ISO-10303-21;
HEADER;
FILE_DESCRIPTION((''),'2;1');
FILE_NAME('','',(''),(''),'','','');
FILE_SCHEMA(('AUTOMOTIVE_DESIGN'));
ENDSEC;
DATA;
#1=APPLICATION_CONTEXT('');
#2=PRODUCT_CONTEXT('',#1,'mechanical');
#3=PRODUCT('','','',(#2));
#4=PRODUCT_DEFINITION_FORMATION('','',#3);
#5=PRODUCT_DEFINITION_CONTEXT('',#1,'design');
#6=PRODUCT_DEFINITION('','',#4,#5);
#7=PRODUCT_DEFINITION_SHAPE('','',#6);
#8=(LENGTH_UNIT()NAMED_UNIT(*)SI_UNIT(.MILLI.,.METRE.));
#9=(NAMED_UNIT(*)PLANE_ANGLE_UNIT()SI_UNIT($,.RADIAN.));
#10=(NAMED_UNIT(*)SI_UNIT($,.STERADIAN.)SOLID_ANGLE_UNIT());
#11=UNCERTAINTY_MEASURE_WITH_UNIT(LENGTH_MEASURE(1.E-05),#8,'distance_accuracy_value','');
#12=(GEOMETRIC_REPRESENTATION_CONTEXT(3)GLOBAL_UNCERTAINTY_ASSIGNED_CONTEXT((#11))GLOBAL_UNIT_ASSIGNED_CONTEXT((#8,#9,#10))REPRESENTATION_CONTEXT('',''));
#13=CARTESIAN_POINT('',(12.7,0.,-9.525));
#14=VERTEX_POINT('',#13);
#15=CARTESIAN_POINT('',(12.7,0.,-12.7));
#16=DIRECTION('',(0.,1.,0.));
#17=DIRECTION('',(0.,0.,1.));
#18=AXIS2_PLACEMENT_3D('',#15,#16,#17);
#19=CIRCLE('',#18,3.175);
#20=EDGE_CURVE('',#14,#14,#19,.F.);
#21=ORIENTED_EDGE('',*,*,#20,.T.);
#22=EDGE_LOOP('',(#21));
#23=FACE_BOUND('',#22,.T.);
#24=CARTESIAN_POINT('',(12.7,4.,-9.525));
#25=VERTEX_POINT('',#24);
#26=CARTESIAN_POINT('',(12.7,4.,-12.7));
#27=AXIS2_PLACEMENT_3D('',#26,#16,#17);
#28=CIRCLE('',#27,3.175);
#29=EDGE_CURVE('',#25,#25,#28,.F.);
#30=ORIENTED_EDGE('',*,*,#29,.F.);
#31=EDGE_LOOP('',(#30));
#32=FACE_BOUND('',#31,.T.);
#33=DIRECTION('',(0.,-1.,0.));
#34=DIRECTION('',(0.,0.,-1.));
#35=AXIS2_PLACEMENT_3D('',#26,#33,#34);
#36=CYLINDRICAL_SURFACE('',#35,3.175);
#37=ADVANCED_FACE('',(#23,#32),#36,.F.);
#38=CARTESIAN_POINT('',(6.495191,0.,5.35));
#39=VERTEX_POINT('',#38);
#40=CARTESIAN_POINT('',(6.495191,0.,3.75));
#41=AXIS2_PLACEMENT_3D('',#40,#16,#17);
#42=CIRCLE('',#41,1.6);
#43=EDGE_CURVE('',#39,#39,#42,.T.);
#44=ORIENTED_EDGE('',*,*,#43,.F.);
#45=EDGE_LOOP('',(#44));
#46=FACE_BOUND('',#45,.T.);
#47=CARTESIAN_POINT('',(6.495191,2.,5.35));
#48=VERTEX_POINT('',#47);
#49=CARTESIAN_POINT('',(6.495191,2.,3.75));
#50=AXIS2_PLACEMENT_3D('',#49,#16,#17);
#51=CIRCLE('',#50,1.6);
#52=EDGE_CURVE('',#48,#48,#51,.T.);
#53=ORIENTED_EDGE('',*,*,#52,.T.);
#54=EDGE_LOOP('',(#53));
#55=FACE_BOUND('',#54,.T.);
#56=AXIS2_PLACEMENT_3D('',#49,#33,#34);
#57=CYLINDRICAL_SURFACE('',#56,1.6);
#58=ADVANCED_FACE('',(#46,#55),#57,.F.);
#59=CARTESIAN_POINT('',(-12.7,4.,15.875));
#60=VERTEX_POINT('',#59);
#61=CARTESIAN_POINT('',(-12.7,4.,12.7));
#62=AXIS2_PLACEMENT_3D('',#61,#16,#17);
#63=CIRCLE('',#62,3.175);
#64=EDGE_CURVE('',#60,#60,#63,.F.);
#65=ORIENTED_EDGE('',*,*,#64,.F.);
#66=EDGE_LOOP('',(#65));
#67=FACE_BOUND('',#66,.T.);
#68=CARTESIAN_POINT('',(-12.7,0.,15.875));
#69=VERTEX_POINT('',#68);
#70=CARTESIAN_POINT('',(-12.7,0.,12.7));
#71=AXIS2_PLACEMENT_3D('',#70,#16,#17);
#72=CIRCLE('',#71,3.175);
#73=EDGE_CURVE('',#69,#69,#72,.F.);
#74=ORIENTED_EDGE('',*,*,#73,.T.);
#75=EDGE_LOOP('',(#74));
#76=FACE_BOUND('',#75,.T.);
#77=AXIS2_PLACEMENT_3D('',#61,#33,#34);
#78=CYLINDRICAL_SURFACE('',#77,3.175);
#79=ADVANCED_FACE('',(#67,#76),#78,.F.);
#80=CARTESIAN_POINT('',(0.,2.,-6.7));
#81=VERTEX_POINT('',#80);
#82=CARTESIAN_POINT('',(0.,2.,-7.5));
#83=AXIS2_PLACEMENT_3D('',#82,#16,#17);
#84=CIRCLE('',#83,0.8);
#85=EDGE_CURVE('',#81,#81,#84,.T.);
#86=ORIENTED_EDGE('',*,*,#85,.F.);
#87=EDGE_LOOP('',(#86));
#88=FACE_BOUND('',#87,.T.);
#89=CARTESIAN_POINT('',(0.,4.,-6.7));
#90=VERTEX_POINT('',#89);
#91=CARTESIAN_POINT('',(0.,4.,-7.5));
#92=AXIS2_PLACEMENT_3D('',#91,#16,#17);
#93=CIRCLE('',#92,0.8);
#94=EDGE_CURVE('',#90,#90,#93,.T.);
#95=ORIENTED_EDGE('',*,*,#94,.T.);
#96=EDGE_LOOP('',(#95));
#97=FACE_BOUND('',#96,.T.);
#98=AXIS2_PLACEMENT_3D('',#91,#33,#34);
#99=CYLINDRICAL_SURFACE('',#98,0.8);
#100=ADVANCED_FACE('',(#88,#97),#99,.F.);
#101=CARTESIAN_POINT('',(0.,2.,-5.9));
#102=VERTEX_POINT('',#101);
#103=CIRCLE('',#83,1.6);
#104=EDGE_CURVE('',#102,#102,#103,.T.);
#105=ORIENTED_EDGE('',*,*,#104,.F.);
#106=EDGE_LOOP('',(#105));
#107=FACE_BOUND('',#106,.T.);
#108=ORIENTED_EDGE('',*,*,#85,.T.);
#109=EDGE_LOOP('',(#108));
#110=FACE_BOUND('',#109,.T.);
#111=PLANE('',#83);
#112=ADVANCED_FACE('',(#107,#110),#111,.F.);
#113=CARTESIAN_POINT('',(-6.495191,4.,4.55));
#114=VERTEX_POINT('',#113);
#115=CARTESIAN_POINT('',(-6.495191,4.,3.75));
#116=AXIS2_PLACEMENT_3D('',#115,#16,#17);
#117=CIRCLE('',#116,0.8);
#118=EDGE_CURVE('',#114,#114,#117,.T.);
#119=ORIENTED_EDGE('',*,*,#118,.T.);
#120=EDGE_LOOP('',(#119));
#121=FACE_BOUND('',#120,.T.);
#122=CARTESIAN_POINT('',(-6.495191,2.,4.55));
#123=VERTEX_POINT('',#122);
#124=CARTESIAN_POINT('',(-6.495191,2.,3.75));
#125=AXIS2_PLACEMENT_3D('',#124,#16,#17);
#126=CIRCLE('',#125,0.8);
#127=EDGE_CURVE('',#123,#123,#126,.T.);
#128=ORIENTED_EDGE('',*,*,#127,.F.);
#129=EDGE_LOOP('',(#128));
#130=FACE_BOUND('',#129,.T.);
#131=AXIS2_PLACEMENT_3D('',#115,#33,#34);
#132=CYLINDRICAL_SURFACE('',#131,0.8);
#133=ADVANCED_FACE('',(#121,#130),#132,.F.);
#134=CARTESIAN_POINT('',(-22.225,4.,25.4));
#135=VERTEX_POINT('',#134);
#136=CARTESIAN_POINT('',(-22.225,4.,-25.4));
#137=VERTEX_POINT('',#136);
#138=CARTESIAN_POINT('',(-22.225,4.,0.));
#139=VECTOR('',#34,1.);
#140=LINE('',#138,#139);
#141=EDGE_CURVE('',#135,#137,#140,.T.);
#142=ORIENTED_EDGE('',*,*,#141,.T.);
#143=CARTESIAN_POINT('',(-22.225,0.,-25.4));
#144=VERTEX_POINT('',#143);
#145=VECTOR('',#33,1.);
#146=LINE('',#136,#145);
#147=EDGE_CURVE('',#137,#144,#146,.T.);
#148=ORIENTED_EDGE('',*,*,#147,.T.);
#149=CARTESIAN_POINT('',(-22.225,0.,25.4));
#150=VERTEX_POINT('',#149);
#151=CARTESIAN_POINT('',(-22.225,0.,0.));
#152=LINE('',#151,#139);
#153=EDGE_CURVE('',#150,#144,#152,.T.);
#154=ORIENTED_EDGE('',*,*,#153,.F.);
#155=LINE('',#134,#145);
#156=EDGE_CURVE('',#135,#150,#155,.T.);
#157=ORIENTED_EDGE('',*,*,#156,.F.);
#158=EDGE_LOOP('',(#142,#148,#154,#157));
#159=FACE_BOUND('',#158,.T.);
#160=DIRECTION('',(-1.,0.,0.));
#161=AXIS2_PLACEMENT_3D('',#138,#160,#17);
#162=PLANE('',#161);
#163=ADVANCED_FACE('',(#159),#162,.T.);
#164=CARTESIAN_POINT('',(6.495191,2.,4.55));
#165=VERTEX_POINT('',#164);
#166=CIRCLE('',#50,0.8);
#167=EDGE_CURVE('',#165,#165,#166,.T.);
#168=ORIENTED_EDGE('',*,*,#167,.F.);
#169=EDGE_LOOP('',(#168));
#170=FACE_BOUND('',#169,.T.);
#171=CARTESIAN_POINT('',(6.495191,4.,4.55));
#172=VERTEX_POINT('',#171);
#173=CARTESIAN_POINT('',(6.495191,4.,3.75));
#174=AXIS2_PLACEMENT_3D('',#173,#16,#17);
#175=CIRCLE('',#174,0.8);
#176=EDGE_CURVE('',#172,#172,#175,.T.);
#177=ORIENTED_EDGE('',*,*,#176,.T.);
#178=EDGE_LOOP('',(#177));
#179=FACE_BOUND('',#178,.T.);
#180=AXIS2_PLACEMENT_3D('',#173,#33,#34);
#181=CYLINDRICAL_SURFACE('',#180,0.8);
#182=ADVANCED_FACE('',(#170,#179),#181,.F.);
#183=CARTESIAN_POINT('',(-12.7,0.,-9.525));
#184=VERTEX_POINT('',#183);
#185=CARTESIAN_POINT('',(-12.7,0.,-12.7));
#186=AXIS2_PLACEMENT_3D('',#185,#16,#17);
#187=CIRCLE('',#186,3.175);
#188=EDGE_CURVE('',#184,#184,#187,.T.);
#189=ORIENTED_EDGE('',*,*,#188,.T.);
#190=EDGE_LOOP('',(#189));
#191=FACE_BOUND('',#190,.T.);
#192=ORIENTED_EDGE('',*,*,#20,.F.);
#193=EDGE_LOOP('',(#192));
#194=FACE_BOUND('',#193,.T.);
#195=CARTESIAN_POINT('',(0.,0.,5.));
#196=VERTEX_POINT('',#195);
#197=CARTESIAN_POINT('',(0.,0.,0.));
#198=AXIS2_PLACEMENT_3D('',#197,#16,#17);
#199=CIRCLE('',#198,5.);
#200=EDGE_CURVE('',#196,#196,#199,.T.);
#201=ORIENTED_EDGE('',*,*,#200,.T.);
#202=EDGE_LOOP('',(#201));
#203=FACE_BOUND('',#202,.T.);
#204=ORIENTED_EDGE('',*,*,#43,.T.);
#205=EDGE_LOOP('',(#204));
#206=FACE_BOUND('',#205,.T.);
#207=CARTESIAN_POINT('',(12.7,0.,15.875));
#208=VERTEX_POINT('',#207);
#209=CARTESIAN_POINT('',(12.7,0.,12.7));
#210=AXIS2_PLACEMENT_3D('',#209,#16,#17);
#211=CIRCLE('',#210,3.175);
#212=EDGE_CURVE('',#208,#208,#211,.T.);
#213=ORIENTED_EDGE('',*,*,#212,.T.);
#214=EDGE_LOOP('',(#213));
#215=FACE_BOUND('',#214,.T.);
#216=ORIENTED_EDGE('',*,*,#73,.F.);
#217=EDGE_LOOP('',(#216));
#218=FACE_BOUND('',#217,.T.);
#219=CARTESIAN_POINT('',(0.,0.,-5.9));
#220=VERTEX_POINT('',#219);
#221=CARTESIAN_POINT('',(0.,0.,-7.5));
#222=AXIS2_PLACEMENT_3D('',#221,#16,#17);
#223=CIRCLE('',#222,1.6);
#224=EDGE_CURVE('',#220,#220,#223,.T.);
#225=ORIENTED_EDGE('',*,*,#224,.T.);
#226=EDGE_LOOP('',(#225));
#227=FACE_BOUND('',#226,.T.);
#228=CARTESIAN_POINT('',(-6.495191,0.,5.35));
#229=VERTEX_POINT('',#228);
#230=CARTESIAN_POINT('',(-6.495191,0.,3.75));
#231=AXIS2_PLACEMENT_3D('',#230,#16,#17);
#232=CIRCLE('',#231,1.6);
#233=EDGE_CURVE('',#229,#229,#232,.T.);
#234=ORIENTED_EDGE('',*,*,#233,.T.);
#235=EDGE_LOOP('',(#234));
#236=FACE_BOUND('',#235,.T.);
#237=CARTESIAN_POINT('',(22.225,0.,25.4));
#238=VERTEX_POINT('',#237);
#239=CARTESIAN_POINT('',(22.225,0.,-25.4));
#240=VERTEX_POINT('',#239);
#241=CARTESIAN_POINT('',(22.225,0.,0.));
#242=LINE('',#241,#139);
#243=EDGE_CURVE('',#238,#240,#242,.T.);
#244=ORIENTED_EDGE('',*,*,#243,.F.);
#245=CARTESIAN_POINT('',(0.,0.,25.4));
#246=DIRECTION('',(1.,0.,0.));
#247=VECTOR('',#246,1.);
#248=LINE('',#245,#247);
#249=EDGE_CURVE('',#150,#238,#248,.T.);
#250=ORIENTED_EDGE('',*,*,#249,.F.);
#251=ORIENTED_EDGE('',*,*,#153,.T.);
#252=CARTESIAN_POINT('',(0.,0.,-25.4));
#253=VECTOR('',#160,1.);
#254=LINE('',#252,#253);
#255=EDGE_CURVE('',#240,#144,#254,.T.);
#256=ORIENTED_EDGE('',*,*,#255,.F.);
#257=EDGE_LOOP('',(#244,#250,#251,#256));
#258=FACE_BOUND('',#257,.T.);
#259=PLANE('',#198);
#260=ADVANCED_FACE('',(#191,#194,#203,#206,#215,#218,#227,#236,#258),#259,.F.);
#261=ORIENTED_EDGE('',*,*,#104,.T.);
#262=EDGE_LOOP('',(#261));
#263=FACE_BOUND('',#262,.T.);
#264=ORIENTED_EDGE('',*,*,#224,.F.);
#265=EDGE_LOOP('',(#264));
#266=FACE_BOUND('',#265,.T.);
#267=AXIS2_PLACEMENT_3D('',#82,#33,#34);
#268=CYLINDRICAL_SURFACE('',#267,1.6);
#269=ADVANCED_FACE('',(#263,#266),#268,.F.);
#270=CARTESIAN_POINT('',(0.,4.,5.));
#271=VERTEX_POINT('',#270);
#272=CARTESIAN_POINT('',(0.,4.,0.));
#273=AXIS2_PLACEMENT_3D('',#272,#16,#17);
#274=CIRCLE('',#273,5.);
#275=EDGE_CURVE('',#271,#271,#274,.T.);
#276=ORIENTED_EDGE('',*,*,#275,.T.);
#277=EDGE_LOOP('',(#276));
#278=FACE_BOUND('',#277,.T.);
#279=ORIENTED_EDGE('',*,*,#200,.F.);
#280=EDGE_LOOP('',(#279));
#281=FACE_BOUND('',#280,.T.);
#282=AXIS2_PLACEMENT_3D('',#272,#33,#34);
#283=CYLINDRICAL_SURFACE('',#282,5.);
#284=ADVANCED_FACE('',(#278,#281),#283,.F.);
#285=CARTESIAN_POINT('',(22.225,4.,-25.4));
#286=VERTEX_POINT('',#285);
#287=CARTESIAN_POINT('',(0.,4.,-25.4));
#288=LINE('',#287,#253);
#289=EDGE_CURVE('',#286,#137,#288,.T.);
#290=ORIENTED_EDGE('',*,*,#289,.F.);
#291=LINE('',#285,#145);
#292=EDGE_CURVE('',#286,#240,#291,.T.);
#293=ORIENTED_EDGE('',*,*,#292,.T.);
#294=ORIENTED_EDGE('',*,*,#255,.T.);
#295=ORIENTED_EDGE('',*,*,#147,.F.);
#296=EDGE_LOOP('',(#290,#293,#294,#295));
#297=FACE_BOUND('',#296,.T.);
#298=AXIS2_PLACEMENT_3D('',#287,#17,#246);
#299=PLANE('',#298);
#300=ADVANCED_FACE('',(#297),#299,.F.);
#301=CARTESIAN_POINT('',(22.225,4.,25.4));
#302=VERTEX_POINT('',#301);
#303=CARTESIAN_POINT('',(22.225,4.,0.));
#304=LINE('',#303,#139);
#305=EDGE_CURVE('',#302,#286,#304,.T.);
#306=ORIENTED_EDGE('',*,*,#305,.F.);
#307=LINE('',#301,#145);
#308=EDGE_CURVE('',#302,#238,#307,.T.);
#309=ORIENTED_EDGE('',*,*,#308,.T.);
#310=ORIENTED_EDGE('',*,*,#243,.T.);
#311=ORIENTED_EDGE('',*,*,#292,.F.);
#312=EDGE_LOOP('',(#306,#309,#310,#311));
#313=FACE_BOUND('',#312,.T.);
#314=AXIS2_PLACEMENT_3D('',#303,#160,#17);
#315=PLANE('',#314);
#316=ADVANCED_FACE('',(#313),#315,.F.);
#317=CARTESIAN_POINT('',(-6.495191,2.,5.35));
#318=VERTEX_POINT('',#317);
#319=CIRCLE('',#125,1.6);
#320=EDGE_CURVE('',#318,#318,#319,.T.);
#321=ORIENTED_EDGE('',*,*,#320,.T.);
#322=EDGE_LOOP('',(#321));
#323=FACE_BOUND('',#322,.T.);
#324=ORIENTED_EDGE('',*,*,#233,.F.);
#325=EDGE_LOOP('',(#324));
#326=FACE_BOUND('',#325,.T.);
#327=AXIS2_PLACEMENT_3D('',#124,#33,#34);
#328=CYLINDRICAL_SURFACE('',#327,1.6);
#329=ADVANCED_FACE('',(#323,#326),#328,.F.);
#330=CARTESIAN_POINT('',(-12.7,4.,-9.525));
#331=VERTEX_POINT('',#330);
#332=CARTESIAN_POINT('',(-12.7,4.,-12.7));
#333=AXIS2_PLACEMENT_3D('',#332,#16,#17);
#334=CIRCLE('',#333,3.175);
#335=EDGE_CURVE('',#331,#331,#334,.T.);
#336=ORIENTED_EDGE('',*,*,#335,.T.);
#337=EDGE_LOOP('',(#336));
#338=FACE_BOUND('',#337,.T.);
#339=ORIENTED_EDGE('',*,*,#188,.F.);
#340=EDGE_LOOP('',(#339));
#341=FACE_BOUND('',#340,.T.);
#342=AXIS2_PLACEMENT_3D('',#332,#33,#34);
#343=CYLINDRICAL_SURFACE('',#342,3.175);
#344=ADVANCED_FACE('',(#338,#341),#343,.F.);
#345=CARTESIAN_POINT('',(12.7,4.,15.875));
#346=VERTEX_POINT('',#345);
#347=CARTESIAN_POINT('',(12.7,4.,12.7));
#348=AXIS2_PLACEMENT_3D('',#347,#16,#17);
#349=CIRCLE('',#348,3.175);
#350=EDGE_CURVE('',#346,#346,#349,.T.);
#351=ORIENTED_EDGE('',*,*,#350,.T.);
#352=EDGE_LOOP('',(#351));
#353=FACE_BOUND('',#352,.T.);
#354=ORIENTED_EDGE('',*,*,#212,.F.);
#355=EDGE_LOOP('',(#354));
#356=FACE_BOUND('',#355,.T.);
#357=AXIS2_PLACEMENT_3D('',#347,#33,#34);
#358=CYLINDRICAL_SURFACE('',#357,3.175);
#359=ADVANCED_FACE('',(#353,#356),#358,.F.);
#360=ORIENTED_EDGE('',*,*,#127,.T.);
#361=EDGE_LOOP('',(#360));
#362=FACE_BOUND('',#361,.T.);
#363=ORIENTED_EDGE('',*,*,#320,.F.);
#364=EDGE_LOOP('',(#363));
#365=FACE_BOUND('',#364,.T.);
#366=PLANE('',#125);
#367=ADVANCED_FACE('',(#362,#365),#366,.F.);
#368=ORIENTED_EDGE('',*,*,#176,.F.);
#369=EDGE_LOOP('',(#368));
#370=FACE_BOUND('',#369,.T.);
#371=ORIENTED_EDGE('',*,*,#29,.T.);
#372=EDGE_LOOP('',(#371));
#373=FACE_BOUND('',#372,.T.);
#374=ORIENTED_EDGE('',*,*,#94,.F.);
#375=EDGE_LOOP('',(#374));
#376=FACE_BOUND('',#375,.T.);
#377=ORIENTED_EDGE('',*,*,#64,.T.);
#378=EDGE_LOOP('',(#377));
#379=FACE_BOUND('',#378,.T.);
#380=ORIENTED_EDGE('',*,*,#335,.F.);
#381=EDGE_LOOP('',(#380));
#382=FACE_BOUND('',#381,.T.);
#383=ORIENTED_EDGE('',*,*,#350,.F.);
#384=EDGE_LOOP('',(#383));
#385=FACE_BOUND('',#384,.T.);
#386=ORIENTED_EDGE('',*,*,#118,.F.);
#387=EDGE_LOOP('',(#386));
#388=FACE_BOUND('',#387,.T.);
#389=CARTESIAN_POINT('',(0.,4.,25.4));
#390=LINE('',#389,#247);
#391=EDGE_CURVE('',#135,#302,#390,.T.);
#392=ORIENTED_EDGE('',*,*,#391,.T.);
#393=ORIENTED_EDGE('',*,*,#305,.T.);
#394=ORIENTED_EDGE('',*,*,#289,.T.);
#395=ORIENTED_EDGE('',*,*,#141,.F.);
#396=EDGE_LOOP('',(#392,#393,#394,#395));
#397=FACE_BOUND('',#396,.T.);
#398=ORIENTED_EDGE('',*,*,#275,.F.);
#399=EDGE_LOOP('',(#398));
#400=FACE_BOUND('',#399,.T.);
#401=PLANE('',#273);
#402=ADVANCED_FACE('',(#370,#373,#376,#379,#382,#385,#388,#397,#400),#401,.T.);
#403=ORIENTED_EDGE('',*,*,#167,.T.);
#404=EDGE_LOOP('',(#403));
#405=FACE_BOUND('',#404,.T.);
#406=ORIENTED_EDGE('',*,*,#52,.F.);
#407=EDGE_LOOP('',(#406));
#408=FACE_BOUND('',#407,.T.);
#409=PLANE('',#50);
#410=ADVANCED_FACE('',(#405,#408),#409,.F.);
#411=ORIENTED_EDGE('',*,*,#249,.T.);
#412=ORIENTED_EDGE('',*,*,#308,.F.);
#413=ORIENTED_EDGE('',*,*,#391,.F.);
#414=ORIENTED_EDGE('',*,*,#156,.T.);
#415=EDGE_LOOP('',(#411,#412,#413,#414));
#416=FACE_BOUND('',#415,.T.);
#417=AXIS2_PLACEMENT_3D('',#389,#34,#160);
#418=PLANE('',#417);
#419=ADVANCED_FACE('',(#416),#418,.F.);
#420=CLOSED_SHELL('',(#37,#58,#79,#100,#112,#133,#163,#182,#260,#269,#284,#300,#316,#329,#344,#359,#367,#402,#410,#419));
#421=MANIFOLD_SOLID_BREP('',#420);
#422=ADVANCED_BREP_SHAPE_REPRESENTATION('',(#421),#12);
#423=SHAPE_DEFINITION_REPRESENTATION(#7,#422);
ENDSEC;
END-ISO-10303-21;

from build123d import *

# Parameters (mm, degrees)
SKETCH1_R           = 3.175
SKETCH1_R_2         = 0.8
SKETCH1_R_3         = 5
BOSS_EXTRUDE1_DEPTH = 4
SKETCH2_R           = 1.6
CUT_EXTRUDE2_DEPTH  = 2


with BuildPart() as part:
    # Sketch1 → Boss-Extrude1 (new body)
    with BuildSketch(Plane(origin=(0, 0, 0), x_dir=(1, 0, 0), z_dir=(0, 1, 0))):
        Polygon((-22.225, -25.4), (-12.829728408, -25.4), (0, -25.4), (12.829728408, -25.4), (22.225, -25.4), (22.225, 25.4), (-22.225, 25.4), align=None)
        with Locations((-12.7, -12.7)):
            Circle(SKETCH1_R, mode=Mode.SUBTRACT)
        with Locations((-6.495190528, -3.75)):
            Circle(SKETCH1_R_2, mode=Mode.SUBTRACT)
        Circle(SKETCH1_R_3, mode=Mode.SUBTRACT)
        with Locations((6.495190528, -3.75)):
            Circle(SKETCH1_R_2, mode=Mode.SUBTRACT)
        with Locations((12.7, -12.7)):
            Circle(SKETCH1_R, mode=Mode.SUBTRACT)
        with Locations((-12.7, 12.7)):
            Circle(SKETCH1_R, mode=Mode.SUBTRACT)
        with Locations((0, 7.5)):
            Circle(SKETCH1_R_2, mode=Mode.SUBTRACT)
        with Locations((12.7, 12.7)):
            Circle(SKETCH1_R, mode=Mode.SUBTRACT)
    extrude(amount=BOSS_EXTRUDE1_DEPTH)

    # Sketch2 → Cut-Extrude2 (cut)
    with BuildSketch(Plane(origin=(0, 0, 0), x_dir=(1, 0, 0), z_dir=(0, 1, 0))):
        with Locations((6.495190528, -3.75)):
            Circle(SKETCH2_R)
        with Locations((-6.495190528, -3.75)):
            Circle(SKETCH2_R)
        with Locations((0, 7.5)):
            Circle(SKETCH2_R)
    extrude(amount=CUT_EXTRUDE2_DEPTH, mode=Mode.SUBTRACT)


solid = part.part
